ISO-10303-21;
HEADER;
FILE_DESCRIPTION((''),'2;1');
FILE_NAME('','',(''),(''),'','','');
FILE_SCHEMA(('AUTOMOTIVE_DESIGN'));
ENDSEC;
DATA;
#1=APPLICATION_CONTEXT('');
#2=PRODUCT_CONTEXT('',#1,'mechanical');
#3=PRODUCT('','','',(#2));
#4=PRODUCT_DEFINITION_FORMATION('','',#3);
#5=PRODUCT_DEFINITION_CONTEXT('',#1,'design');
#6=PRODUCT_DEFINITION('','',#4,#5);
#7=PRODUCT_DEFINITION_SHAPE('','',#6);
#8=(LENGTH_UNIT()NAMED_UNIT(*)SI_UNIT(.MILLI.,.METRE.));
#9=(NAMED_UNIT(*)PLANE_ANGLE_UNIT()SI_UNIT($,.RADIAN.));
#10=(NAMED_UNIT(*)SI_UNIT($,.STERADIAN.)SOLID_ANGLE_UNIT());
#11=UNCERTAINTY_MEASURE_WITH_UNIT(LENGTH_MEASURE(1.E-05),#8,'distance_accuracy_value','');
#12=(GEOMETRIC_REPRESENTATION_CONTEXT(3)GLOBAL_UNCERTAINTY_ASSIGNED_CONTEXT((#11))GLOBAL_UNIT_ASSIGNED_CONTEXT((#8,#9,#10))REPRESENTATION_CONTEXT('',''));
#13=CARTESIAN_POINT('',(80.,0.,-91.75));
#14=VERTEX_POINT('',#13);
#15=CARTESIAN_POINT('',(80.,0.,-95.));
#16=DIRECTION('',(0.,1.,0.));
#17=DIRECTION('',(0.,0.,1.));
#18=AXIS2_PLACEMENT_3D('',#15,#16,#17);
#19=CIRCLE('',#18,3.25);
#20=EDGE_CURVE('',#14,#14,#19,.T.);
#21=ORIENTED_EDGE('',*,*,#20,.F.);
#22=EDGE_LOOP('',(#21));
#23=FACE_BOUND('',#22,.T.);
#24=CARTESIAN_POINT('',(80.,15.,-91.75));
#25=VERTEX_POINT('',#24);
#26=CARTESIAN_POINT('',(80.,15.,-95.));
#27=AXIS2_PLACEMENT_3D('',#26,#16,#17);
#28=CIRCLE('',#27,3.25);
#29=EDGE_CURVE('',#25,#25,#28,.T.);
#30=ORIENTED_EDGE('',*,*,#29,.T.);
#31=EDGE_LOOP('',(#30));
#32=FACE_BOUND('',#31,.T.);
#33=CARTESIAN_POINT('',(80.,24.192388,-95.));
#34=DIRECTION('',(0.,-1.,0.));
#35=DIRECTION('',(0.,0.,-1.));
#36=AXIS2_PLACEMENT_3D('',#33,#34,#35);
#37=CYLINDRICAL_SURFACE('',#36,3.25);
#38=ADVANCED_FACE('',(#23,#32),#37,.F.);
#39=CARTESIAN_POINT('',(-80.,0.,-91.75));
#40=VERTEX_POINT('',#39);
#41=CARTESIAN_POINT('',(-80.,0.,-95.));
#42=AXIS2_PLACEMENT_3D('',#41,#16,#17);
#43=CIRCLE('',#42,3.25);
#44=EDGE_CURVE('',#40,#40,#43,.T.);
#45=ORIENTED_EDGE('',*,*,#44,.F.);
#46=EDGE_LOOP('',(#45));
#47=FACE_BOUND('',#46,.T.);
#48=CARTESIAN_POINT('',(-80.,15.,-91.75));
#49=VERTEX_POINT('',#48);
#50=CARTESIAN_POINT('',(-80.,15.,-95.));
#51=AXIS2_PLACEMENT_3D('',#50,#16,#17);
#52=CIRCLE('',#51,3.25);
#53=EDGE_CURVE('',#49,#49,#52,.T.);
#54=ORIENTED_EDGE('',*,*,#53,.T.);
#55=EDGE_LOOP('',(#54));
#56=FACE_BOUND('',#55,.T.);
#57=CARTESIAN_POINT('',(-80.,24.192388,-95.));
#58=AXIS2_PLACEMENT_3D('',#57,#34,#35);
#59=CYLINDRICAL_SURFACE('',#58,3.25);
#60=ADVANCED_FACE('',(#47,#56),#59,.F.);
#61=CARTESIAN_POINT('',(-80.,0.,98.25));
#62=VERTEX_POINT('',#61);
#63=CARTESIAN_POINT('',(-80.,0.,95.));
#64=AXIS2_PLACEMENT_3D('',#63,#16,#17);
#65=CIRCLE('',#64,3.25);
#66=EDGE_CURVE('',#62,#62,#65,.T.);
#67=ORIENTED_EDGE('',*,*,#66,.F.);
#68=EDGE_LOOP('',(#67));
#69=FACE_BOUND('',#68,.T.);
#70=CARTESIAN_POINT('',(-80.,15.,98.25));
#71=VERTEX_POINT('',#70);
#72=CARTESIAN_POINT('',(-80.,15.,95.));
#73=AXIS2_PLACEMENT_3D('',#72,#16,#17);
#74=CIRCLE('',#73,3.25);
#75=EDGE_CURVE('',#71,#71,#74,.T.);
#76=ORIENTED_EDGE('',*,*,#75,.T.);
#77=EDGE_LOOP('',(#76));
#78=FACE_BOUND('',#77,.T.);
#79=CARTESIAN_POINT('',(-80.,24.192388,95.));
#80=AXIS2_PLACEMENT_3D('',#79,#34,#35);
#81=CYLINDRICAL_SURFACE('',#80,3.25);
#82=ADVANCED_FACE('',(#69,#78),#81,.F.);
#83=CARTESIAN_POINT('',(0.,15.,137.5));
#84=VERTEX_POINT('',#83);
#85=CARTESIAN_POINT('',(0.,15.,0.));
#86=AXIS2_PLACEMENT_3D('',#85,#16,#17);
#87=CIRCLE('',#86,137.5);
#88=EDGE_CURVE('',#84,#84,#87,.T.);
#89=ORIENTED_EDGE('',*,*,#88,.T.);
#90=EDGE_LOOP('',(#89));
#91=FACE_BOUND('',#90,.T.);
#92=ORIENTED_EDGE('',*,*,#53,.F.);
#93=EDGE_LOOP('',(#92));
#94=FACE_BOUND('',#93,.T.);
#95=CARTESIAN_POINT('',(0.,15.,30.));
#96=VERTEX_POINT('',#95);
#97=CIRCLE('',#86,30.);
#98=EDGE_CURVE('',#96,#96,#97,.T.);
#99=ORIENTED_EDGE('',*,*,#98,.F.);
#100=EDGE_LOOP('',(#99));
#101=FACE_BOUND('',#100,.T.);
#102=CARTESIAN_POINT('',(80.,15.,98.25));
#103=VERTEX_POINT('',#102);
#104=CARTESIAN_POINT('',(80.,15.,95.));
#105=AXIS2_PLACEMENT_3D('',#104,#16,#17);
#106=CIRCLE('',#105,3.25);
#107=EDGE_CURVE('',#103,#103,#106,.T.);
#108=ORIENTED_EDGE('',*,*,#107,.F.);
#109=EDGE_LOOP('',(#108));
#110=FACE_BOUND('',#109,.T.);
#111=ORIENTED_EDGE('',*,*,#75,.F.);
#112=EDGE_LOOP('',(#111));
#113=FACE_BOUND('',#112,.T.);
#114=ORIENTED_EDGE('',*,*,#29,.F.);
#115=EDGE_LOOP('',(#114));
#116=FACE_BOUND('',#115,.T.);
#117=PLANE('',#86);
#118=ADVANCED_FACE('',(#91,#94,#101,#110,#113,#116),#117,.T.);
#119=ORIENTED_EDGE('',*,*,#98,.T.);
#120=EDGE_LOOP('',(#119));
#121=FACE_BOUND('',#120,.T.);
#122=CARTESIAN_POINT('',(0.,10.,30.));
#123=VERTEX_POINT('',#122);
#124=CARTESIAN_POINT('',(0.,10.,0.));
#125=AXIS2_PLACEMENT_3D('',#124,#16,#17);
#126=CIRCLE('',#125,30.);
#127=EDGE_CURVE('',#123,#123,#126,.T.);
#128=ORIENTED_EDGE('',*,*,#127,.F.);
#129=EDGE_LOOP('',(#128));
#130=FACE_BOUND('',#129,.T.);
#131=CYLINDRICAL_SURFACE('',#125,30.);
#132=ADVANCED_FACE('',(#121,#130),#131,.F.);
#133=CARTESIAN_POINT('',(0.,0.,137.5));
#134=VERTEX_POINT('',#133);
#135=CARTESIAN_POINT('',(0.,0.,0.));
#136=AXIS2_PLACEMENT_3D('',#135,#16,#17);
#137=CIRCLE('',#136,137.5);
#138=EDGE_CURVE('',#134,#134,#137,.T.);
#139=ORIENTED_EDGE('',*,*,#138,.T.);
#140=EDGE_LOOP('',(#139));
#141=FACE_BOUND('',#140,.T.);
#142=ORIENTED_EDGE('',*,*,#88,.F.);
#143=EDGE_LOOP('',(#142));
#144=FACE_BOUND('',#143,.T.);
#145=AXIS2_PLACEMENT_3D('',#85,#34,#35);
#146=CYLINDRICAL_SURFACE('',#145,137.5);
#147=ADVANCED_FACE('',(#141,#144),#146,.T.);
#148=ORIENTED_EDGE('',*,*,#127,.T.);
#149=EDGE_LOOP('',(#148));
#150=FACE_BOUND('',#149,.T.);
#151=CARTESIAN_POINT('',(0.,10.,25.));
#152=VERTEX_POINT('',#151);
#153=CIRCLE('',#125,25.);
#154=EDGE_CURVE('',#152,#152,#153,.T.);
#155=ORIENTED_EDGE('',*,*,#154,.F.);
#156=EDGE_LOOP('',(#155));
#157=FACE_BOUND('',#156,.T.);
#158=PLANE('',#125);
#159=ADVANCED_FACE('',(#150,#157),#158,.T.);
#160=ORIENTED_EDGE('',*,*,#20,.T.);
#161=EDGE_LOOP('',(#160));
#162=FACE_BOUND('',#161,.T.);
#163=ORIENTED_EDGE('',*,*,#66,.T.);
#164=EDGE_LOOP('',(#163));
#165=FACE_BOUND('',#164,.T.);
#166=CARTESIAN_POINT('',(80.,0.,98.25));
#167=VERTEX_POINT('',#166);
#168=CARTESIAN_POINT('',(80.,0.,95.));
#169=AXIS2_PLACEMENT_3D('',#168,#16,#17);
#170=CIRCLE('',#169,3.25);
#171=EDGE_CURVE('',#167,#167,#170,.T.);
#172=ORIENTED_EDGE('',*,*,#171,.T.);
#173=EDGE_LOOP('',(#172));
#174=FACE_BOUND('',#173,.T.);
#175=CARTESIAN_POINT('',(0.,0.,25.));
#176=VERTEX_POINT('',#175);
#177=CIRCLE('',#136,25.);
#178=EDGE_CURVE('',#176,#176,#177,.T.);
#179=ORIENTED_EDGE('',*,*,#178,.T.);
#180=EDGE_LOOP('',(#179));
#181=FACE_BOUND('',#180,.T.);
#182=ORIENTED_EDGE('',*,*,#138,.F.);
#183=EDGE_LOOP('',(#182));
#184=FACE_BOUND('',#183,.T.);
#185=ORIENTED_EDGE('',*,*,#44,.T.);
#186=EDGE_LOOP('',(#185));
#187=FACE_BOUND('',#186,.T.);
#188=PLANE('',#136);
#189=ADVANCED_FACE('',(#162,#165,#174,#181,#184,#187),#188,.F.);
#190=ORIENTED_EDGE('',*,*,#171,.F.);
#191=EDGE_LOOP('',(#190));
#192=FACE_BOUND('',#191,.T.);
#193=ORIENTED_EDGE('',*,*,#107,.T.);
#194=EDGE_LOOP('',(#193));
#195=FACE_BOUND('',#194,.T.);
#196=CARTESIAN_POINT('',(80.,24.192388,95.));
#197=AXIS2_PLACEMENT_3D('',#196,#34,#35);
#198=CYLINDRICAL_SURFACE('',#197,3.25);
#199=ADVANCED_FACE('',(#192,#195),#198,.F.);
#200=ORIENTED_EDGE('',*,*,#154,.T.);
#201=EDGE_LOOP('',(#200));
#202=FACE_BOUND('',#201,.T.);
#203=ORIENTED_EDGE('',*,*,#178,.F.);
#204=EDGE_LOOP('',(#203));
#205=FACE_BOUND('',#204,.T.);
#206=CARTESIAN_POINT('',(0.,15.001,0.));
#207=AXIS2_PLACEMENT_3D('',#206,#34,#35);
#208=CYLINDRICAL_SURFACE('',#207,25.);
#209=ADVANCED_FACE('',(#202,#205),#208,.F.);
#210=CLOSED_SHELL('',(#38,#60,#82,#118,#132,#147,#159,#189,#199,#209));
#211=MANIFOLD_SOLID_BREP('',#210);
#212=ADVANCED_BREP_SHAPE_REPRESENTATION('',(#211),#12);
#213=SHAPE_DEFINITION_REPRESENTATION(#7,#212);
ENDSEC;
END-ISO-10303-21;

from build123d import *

# Parameters (mm, degrees)
BASESKETCH_R              = 137.5
BASE_DEPTH                = 15
MOUNTINGHOLES_R           = 3.25
CUT_EXTRUDE1_DEPTH        = 15
BEARINGJ1_R               = 25
CUT_EXTRUDE3_DEPTH        = 15
CUT_EXTRUDE4_START        = 15
BEARINGRADIALCONSTRAINT_R = 30
CUT_EXTRUDE4_DEPTH        = 5


with BuildPart() as part:
    # BaseSketch → Base (new body)
    with BuildSketch(Plane(origin=(0, 0, 0), x_dir=(1, 0, 0), z_dir=(0, 1, 0))):
        Circle(BASESKETCH_R)
    extrude(amount=BASE_DEPTH)

    # MountingHoles → Cut-Extrude1 (cut)
    with BuildSketch(Plane(origin=(0, 0, 0), x_dir=(1, 0, 0), z_dir=(0, 1, 0))):
        with Locations((-80, 95)):
            Circle(MOUNTINGHOLES_R)
        with Locations((-80, -95)):
            Circle(MOUNTINGHOLES_R)
        with Locations((80, -95)):
            Circle(MOUNTINGHOLES_R)
        with Locations((80, 95)):
            Circle(MOUNTINGHOLES_R)
    extrude(amount=CUT_EXTRUDE1_DEPTH, mode=Mode.SUBTRACT)

    # BearingJ1 → Cut-Extrude3 (cut)
    with BuildSketch(Plane(origin=(0, 0, 0), x_dir=(1, 0, 0), z_dir=(0, 1, 0))):
        Circle(BEARINGJ1_R)
    extrude(amount=CUT_EXTRUDE3_DEPTH, mode=Mode.SUBTRACT)

    # BearingRadialConstraint → Cut-Extrude4 (cut)
    with BuildSketch(Plane(origin=(0, 0, 0), x_dir=(1, 0, 0), z_dir=(0, 1, 0)).offset(CUT_EXTRUDE4_START)):
        Circle(BEARINGRADIALCONSTRAINT_R)
    extrude(amount=-CUT_EXTRUDE4_DEPTH, mode=Mode.SUBTRACT)


solid = part.part
